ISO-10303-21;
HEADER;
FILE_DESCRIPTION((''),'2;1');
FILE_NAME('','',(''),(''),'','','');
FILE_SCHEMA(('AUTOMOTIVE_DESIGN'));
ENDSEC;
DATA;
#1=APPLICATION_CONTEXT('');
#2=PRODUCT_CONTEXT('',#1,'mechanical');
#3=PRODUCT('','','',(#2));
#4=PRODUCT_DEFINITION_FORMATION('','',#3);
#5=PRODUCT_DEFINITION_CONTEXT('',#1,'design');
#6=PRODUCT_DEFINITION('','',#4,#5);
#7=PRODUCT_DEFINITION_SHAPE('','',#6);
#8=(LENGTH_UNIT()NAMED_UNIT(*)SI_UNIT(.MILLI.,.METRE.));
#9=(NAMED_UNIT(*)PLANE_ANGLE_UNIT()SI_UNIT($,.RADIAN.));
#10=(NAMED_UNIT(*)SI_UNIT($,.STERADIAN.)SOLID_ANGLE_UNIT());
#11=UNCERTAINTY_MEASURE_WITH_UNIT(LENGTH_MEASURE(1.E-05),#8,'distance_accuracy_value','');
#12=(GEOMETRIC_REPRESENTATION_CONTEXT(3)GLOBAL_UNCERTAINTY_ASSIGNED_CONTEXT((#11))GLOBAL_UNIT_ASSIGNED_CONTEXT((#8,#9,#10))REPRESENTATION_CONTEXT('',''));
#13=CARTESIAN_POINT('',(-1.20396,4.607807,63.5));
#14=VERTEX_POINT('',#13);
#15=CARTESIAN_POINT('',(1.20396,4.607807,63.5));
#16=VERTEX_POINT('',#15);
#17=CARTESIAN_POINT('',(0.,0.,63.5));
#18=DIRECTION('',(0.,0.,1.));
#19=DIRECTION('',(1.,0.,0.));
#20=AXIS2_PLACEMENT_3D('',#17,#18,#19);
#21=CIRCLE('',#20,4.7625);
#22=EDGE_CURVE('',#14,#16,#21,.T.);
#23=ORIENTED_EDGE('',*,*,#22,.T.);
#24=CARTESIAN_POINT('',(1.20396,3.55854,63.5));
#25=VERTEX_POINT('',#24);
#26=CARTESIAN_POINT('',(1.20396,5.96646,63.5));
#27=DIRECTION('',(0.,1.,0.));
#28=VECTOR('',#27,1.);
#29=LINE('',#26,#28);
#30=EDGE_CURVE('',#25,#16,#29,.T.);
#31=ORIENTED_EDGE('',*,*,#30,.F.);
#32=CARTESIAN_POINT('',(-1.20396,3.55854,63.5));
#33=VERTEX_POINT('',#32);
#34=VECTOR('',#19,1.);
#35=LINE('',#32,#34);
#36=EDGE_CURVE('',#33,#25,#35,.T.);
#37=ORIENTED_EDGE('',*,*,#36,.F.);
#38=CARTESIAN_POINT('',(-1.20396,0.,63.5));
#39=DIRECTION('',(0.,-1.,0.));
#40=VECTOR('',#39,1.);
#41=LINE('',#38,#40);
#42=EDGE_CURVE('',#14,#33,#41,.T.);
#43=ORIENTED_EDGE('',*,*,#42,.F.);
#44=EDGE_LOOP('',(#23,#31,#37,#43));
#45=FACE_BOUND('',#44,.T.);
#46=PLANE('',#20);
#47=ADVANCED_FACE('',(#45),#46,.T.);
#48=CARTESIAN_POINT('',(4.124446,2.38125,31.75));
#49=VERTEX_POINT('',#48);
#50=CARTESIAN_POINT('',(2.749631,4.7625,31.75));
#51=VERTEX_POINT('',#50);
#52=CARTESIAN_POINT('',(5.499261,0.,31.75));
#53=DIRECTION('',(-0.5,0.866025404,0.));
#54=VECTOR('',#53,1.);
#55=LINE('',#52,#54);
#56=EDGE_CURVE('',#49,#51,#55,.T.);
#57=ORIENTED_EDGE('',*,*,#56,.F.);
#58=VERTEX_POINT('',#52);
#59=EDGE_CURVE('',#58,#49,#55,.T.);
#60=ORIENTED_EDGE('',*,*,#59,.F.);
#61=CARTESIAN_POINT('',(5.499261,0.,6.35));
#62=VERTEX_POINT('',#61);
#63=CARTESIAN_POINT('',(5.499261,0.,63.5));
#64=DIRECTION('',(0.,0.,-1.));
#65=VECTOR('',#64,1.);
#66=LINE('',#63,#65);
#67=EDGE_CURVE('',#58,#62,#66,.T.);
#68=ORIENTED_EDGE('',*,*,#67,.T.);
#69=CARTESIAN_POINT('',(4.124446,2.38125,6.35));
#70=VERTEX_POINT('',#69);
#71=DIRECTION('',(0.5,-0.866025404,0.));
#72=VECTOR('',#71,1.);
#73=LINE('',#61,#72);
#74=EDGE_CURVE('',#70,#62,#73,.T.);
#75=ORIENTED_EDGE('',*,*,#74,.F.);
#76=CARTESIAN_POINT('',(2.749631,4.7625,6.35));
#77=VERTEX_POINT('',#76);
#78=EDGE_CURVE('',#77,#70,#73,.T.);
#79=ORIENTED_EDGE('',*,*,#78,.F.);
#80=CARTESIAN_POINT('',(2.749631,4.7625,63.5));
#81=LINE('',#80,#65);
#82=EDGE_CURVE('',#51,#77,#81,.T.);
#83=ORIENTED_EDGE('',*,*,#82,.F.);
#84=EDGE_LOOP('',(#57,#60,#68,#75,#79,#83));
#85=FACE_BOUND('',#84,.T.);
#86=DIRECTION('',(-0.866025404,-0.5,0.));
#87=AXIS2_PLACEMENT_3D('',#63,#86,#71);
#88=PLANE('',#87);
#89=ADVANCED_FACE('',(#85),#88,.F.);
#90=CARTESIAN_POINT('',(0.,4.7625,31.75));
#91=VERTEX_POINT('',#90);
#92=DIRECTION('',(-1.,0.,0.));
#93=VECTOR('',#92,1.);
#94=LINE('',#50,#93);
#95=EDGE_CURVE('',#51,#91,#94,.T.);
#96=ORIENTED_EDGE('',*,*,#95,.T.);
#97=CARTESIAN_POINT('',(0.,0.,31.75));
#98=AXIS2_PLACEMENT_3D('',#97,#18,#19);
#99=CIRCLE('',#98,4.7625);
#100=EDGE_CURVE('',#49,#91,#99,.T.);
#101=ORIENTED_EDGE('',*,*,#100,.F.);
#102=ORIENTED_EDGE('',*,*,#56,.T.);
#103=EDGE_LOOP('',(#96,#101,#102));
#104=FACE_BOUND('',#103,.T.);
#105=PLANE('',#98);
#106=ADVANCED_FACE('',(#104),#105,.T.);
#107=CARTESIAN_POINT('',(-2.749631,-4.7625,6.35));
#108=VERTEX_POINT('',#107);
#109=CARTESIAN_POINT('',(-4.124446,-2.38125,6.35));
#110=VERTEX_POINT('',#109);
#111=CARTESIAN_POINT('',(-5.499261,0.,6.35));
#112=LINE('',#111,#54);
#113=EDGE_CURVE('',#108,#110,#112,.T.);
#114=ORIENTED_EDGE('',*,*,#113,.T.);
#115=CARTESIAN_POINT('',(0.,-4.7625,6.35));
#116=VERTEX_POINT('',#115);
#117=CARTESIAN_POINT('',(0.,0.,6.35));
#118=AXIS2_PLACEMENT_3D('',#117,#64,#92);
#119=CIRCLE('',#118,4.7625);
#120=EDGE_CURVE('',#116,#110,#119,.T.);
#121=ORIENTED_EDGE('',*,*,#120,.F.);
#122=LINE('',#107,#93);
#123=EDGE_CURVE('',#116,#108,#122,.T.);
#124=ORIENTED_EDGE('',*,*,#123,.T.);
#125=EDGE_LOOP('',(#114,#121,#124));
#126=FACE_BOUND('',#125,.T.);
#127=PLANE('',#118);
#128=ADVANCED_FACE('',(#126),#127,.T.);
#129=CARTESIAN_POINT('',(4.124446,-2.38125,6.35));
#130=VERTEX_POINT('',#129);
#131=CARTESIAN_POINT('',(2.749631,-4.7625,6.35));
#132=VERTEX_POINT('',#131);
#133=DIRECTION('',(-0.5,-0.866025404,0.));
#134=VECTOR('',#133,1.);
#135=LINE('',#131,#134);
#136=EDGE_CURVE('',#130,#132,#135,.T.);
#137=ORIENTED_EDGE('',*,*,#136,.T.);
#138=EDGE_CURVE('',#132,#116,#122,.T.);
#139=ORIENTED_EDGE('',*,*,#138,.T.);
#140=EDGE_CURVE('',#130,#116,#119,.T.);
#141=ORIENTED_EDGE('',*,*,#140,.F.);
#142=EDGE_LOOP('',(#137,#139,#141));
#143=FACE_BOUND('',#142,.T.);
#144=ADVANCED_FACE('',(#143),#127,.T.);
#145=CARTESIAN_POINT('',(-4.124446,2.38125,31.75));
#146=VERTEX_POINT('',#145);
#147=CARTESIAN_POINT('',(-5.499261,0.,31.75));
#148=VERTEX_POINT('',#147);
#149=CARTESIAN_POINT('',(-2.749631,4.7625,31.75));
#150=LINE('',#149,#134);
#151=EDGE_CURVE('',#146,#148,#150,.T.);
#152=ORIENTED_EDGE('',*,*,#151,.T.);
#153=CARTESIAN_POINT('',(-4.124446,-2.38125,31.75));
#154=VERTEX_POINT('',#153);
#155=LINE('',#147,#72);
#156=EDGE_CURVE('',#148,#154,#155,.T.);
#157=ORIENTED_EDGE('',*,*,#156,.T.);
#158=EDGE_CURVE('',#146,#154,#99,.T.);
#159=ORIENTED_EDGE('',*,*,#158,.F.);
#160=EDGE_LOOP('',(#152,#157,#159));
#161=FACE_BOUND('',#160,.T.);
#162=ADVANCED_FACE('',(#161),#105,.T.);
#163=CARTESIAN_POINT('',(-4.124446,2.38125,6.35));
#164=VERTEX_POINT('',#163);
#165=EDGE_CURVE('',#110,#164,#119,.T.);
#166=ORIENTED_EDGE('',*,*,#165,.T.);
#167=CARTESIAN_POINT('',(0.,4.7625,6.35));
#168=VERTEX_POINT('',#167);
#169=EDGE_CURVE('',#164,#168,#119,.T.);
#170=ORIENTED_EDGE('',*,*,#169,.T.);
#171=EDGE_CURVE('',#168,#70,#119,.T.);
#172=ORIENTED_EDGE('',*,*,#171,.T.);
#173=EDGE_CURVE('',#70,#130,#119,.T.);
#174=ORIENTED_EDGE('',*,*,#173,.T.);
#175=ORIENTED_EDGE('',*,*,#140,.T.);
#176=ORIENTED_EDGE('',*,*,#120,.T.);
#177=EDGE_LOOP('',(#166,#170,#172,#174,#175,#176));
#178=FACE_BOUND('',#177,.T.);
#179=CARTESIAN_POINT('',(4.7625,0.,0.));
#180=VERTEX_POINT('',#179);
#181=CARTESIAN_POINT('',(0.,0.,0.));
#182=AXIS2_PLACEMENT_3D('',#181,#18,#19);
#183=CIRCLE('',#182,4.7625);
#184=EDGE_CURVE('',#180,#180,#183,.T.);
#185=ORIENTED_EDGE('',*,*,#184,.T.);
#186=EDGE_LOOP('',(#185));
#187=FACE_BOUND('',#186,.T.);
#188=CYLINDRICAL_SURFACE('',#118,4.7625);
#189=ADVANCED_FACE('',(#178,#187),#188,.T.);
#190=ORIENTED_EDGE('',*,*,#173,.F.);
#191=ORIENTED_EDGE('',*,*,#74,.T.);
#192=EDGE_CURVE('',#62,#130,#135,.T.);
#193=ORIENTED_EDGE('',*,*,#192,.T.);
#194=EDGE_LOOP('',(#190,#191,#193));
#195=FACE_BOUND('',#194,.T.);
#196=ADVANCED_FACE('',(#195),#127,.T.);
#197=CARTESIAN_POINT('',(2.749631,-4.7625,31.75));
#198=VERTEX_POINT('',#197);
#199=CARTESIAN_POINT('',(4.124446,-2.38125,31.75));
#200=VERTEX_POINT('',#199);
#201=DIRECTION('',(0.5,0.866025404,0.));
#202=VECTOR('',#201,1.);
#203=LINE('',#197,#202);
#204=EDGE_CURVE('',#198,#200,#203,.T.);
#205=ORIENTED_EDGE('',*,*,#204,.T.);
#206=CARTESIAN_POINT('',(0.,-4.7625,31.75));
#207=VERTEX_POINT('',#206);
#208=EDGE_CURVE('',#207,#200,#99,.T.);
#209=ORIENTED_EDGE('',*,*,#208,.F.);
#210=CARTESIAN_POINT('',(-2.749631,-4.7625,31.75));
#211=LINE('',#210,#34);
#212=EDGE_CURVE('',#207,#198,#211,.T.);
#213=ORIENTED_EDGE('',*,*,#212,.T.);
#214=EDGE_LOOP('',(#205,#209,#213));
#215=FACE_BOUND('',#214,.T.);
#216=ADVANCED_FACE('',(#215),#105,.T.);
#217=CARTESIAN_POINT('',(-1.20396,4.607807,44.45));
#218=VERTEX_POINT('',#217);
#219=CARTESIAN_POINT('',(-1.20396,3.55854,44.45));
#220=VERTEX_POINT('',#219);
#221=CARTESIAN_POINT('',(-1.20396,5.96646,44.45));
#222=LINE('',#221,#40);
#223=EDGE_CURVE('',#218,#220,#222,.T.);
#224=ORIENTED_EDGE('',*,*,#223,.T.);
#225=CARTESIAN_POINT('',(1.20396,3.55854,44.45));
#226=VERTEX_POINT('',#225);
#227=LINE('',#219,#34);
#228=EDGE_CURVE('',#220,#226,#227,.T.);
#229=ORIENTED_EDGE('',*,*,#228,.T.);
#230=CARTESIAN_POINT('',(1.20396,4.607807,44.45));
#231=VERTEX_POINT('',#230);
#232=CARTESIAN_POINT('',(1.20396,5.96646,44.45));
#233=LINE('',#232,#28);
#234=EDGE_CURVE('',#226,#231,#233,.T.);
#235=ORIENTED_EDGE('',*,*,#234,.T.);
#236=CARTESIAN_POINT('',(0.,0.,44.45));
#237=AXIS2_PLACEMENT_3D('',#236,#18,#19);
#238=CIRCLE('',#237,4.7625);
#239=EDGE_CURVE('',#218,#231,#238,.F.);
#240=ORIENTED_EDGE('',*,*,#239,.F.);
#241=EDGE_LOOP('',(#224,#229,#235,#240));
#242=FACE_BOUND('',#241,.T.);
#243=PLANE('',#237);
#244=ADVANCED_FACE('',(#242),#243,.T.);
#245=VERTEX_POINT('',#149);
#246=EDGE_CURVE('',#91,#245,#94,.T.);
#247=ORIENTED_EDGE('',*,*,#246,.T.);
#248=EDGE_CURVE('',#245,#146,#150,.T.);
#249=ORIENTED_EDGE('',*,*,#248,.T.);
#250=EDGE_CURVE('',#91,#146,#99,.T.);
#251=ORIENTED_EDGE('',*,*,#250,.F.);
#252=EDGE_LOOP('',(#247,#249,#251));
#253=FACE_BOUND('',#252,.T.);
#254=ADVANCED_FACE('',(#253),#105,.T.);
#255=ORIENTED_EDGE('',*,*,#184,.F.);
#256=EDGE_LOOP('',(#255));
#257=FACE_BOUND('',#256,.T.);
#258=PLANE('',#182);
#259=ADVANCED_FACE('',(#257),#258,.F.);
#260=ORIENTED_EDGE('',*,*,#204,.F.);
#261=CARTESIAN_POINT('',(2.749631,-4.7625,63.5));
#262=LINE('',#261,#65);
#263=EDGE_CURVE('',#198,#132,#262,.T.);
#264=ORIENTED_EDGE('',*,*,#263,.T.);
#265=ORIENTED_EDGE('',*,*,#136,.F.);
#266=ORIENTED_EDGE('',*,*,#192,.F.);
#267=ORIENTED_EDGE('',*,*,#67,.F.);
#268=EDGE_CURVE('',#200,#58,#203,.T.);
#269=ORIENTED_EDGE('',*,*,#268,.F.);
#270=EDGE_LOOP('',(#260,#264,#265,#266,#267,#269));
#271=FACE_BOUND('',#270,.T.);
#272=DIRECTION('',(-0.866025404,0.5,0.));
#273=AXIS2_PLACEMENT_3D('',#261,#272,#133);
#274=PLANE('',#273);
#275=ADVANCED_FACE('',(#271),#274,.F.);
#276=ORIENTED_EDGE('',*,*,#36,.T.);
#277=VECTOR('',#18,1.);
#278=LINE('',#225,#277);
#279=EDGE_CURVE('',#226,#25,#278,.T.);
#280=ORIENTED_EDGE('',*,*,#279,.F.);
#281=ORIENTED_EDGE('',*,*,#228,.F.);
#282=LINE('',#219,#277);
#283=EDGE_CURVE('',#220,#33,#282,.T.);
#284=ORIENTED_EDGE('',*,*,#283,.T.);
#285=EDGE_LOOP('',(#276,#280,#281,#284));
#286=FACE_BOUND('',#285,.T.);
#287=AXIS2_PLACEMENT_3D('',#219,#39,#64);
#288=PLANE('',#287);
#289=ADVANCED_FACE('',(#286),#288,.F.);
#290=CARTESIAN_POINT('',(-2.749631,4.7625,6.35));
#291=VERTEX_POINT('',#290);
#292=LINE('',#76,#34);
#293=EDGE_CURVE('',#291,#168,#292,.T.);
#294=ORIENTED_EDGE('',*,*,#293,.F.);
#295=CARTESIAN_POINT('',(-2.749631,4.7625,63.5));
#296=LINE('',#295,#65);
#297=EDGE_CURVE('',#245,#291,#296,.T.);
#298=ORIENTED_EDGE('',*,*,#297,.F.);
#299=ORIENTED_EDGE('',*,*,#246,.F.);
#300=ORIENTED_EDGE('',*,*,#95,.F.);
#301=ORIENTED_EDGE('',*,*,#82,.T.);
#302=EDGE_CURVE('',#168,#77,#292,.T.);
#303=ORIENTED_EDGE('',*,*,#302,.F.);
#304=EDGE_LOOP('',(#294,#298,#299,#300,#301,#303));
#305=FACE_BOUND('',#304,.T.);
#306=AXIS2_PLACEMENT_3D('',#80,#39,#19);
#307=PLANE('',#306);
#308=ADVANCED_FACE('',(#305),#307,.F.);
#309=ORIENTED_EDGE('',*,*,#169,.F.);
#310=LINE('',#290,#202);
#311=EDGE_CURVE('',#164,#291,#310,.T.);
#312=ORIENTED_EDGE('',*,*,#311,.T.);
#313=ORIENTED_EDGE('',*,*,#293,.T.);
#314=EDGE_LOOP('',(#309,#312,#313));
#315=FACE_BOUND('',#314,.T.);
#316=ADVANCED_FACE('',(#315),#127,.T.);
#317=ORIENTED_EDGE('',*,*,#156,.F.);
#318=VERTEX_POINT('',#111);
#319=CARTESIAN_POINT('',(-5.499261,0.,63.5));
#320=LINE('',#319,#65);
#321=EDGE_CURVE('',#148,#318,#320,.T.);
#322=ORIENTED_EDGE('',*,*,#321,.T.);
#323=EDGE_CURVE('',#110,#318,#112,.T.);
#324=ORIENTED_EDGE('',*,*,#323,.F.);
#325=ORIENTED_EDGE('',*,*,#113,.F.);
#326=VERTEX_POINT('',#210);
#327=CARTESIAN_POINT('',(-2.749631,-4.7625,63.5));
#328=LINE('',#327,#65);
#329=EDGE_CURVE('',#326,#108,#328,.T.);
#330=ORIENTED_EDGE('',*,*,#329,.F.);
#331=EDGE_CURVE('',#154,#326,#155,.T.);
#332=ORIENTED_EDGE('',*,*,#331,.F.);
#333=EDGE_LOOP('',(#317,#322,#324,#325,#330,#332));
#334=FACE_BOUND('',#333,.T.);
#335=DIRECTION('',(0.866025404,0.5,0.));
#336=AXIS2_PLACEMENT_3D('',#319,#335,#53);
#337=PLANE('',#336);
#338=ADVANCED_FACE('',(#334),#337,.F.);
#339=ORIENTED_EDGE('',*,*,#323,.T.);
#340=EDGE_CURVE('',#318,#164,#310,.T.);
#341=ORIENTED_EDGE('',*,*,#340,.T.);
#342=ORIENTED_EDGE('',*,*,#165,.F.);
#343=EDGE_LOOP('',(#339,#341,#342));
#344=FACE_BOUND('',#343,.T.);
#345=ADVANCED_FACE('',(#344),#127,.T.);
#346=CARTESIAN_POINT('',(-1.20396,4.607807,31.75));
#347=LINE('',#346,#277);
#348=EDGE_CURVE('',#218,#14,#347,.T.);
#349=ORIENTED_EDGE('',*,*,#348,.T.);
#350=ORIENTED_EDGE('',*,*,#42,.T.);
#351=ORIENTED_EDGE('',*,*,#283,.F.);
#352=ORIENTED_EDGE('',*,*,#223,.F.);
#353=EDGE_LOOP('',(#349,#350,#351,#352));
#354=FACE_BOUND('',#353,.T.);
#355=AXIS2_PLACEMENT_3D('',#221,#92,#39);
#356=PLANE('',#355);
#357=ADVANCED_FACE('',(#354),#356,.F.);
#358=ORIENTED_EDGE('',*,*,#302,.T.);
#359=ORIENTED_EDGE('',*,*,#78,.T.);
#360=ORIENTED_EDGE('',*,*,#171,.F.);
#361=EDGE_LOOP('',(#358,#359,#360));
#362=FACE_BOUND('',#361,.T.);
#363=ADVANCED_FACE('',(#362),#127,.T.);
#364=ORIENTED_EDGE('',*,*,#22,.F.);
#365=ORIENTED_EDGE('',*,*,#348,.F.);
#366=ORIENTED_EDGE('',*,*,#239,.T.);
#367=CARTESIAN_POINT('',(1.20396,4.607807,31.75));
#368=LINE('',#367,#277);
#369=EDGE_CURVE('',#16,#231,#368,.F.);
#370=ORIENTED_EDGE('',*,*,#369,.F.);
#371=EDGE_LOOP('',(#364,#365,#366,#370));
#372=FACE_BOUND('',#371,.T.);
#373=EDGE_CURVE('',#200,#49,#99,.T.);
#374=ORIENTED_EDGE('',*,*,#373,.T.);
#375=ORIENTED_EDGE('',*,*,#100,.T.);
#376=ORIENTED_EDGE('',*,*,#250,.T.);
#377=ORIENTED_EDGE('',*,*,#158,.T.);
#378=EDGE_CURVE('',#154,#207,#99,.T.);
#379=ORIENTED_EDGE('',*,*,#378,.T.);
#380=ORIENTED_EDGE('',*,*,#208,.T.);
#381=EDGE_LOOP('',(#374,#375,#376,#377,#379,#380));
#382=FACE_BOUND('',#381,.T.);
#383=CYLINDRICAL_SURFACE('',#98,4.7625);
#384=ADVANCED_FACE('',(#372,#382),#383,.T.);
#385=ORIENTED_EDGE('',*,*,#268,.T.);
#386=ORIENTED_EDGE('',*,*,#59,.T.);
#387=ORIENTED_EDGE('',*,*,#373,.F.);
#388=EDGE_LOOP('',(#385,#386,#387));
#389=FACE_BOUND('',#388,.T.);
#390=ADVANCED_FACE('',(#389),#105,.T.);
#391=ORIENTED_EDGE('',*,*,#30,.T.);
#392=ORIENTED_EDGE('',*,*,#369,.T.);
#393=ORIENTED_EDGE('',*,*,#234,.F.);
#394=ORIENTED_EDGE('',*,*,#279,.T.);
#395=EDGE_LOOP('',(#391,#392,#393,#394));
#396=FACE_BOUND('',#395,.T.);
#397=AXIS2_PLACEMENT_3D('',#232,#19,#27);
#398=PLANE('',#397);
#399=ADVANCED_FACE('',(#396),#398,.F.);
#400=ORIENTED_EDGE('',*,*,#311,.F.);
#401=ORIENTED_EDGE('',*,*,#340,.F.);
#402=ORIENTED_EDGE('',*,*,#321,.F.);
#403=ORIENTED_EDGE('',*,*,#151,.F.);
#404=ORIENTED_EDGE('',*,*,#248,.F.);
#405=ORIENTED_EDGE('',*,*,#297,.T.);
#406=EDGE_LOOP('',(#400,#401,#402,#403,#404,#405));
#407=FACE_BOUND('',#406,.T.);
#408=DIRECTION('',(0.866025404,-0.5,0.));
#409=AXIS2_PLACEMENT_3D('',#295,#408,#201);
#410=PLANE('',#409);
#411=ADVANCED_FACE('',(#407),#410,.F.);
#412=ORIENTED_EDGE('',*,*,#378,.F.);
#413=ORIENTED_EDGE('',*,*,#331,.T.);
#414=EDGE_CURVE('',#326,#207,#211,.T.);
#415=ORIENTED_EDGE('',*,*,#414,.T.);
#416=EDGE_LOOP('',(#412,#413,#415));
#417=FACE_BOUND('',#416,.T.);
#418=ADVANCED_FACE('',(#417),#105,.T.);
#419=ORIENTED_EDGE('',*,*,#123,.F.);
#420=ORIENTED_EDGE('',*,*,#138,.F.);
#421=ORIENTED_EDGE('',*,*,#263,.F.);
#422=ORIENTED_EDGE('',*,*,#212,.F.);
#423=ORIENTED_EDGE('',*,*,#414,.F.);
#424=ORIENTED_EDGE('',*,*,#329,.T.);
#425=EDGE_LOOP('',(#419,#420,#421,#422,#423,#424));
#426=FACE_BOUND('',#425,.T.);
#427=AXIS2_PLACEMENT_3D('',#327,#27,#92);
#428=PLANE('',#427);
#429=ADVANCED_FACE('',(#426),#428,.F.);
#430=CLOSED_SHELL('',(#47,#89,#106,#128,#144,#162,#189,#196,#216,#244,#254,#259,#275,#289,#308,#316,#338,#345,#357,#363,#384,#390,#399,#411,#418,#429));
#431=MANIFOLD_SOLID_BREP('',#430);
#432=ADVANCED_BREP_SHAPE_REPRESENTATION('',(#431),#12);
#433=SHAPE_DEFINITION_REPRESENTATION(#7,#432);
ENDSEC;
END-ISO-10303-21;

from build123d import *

# Parameters (mm, degrees)
BOSS_EXTRUDE1_DEPTH = 63.5
SKETCH2_OUTSIDE_W   = 26.028
SKETCH2_OUTSIDE_H   = 24.556
SKETCH2_OUTSIDE_R   = 4.7625
CUT_EXTRUDE1_DEPTH  = 31.75
SKETCH3_OUTSIDE_W   = 26.028
SKETCH3_OUTSIDE_H   = 24.556
SKETCH3_OUTSIDE_R   = 4.7625
CUT_EXTRUDE2_DEPTH  = 6.35
SKETCH4_W           = 2.40792
SKETCH4_H           = 2.40792
CUT_EXTRUDE3_DEPTH  = 19.05


with BuildPart() as part:
    # Sketch1 → Boss-Extrude1 (new body)
    with BuildSketch(Plane.XY):
        Polygon((-2.749630657, -4.7625), (2.749630657, -4.7625), (5.499261314, 0), (2.749630657, 4.7625), (-2.749630657, 4.7625), (-5.499261314, 0), align=None)
    extrude(amount=BOSS_EXTRUDE1_DEPTH)

    # Sketch2 outside → Cut-Extrude1 (cut)
    with BuildSketch(Plane.XY.offset(63.5)):
        Rectangle(SKETCH2_OUTSIDE_W, SKETCH2_OUTSIDE_H)
        Circle(SKETCH2_OUTSIDE_R, mode=Mode.SUBTRACT)
    extrude(amount=-CUT_EXTRUDE1_DEPTH, mode=Mode.SUBTRACT)

    # Sketch3 outside → Cut-Extrude2 (cut)
    with BuildSketch(Plane(origin=(0, 0, 0), x_dir=(-1, 0, 0), z_dir=(0, 0, -1))):
        Rectangle(SKETCH3_OUTSIDE_W, SKETCH3_OUTSIDE_H)
        with Locations(Location((0, 0, 0), (0, 0, 180))):  # turned: the seam where the file's is
            Circle(SKETCH3_OUTSIDE_R, mode=Mode.SUBTRACT)
    extrude(amount=-CUT_EXTRUDE2_DEPTH, mode=Mode.SUBTRACT)

    # Sketch4 → Cut-Extrude3 (cut)
    with BuildSketch(Plane.XY.offset(63.5)):
        with Locations((0, 4.7625)):
            Rectangle(SKETCH4_W, SKETCH4_H)
    extrude(amount=-CUT_EXTRUDE3_DEPTH, mode=Mode.SUBTRACT)


solid = part.part
